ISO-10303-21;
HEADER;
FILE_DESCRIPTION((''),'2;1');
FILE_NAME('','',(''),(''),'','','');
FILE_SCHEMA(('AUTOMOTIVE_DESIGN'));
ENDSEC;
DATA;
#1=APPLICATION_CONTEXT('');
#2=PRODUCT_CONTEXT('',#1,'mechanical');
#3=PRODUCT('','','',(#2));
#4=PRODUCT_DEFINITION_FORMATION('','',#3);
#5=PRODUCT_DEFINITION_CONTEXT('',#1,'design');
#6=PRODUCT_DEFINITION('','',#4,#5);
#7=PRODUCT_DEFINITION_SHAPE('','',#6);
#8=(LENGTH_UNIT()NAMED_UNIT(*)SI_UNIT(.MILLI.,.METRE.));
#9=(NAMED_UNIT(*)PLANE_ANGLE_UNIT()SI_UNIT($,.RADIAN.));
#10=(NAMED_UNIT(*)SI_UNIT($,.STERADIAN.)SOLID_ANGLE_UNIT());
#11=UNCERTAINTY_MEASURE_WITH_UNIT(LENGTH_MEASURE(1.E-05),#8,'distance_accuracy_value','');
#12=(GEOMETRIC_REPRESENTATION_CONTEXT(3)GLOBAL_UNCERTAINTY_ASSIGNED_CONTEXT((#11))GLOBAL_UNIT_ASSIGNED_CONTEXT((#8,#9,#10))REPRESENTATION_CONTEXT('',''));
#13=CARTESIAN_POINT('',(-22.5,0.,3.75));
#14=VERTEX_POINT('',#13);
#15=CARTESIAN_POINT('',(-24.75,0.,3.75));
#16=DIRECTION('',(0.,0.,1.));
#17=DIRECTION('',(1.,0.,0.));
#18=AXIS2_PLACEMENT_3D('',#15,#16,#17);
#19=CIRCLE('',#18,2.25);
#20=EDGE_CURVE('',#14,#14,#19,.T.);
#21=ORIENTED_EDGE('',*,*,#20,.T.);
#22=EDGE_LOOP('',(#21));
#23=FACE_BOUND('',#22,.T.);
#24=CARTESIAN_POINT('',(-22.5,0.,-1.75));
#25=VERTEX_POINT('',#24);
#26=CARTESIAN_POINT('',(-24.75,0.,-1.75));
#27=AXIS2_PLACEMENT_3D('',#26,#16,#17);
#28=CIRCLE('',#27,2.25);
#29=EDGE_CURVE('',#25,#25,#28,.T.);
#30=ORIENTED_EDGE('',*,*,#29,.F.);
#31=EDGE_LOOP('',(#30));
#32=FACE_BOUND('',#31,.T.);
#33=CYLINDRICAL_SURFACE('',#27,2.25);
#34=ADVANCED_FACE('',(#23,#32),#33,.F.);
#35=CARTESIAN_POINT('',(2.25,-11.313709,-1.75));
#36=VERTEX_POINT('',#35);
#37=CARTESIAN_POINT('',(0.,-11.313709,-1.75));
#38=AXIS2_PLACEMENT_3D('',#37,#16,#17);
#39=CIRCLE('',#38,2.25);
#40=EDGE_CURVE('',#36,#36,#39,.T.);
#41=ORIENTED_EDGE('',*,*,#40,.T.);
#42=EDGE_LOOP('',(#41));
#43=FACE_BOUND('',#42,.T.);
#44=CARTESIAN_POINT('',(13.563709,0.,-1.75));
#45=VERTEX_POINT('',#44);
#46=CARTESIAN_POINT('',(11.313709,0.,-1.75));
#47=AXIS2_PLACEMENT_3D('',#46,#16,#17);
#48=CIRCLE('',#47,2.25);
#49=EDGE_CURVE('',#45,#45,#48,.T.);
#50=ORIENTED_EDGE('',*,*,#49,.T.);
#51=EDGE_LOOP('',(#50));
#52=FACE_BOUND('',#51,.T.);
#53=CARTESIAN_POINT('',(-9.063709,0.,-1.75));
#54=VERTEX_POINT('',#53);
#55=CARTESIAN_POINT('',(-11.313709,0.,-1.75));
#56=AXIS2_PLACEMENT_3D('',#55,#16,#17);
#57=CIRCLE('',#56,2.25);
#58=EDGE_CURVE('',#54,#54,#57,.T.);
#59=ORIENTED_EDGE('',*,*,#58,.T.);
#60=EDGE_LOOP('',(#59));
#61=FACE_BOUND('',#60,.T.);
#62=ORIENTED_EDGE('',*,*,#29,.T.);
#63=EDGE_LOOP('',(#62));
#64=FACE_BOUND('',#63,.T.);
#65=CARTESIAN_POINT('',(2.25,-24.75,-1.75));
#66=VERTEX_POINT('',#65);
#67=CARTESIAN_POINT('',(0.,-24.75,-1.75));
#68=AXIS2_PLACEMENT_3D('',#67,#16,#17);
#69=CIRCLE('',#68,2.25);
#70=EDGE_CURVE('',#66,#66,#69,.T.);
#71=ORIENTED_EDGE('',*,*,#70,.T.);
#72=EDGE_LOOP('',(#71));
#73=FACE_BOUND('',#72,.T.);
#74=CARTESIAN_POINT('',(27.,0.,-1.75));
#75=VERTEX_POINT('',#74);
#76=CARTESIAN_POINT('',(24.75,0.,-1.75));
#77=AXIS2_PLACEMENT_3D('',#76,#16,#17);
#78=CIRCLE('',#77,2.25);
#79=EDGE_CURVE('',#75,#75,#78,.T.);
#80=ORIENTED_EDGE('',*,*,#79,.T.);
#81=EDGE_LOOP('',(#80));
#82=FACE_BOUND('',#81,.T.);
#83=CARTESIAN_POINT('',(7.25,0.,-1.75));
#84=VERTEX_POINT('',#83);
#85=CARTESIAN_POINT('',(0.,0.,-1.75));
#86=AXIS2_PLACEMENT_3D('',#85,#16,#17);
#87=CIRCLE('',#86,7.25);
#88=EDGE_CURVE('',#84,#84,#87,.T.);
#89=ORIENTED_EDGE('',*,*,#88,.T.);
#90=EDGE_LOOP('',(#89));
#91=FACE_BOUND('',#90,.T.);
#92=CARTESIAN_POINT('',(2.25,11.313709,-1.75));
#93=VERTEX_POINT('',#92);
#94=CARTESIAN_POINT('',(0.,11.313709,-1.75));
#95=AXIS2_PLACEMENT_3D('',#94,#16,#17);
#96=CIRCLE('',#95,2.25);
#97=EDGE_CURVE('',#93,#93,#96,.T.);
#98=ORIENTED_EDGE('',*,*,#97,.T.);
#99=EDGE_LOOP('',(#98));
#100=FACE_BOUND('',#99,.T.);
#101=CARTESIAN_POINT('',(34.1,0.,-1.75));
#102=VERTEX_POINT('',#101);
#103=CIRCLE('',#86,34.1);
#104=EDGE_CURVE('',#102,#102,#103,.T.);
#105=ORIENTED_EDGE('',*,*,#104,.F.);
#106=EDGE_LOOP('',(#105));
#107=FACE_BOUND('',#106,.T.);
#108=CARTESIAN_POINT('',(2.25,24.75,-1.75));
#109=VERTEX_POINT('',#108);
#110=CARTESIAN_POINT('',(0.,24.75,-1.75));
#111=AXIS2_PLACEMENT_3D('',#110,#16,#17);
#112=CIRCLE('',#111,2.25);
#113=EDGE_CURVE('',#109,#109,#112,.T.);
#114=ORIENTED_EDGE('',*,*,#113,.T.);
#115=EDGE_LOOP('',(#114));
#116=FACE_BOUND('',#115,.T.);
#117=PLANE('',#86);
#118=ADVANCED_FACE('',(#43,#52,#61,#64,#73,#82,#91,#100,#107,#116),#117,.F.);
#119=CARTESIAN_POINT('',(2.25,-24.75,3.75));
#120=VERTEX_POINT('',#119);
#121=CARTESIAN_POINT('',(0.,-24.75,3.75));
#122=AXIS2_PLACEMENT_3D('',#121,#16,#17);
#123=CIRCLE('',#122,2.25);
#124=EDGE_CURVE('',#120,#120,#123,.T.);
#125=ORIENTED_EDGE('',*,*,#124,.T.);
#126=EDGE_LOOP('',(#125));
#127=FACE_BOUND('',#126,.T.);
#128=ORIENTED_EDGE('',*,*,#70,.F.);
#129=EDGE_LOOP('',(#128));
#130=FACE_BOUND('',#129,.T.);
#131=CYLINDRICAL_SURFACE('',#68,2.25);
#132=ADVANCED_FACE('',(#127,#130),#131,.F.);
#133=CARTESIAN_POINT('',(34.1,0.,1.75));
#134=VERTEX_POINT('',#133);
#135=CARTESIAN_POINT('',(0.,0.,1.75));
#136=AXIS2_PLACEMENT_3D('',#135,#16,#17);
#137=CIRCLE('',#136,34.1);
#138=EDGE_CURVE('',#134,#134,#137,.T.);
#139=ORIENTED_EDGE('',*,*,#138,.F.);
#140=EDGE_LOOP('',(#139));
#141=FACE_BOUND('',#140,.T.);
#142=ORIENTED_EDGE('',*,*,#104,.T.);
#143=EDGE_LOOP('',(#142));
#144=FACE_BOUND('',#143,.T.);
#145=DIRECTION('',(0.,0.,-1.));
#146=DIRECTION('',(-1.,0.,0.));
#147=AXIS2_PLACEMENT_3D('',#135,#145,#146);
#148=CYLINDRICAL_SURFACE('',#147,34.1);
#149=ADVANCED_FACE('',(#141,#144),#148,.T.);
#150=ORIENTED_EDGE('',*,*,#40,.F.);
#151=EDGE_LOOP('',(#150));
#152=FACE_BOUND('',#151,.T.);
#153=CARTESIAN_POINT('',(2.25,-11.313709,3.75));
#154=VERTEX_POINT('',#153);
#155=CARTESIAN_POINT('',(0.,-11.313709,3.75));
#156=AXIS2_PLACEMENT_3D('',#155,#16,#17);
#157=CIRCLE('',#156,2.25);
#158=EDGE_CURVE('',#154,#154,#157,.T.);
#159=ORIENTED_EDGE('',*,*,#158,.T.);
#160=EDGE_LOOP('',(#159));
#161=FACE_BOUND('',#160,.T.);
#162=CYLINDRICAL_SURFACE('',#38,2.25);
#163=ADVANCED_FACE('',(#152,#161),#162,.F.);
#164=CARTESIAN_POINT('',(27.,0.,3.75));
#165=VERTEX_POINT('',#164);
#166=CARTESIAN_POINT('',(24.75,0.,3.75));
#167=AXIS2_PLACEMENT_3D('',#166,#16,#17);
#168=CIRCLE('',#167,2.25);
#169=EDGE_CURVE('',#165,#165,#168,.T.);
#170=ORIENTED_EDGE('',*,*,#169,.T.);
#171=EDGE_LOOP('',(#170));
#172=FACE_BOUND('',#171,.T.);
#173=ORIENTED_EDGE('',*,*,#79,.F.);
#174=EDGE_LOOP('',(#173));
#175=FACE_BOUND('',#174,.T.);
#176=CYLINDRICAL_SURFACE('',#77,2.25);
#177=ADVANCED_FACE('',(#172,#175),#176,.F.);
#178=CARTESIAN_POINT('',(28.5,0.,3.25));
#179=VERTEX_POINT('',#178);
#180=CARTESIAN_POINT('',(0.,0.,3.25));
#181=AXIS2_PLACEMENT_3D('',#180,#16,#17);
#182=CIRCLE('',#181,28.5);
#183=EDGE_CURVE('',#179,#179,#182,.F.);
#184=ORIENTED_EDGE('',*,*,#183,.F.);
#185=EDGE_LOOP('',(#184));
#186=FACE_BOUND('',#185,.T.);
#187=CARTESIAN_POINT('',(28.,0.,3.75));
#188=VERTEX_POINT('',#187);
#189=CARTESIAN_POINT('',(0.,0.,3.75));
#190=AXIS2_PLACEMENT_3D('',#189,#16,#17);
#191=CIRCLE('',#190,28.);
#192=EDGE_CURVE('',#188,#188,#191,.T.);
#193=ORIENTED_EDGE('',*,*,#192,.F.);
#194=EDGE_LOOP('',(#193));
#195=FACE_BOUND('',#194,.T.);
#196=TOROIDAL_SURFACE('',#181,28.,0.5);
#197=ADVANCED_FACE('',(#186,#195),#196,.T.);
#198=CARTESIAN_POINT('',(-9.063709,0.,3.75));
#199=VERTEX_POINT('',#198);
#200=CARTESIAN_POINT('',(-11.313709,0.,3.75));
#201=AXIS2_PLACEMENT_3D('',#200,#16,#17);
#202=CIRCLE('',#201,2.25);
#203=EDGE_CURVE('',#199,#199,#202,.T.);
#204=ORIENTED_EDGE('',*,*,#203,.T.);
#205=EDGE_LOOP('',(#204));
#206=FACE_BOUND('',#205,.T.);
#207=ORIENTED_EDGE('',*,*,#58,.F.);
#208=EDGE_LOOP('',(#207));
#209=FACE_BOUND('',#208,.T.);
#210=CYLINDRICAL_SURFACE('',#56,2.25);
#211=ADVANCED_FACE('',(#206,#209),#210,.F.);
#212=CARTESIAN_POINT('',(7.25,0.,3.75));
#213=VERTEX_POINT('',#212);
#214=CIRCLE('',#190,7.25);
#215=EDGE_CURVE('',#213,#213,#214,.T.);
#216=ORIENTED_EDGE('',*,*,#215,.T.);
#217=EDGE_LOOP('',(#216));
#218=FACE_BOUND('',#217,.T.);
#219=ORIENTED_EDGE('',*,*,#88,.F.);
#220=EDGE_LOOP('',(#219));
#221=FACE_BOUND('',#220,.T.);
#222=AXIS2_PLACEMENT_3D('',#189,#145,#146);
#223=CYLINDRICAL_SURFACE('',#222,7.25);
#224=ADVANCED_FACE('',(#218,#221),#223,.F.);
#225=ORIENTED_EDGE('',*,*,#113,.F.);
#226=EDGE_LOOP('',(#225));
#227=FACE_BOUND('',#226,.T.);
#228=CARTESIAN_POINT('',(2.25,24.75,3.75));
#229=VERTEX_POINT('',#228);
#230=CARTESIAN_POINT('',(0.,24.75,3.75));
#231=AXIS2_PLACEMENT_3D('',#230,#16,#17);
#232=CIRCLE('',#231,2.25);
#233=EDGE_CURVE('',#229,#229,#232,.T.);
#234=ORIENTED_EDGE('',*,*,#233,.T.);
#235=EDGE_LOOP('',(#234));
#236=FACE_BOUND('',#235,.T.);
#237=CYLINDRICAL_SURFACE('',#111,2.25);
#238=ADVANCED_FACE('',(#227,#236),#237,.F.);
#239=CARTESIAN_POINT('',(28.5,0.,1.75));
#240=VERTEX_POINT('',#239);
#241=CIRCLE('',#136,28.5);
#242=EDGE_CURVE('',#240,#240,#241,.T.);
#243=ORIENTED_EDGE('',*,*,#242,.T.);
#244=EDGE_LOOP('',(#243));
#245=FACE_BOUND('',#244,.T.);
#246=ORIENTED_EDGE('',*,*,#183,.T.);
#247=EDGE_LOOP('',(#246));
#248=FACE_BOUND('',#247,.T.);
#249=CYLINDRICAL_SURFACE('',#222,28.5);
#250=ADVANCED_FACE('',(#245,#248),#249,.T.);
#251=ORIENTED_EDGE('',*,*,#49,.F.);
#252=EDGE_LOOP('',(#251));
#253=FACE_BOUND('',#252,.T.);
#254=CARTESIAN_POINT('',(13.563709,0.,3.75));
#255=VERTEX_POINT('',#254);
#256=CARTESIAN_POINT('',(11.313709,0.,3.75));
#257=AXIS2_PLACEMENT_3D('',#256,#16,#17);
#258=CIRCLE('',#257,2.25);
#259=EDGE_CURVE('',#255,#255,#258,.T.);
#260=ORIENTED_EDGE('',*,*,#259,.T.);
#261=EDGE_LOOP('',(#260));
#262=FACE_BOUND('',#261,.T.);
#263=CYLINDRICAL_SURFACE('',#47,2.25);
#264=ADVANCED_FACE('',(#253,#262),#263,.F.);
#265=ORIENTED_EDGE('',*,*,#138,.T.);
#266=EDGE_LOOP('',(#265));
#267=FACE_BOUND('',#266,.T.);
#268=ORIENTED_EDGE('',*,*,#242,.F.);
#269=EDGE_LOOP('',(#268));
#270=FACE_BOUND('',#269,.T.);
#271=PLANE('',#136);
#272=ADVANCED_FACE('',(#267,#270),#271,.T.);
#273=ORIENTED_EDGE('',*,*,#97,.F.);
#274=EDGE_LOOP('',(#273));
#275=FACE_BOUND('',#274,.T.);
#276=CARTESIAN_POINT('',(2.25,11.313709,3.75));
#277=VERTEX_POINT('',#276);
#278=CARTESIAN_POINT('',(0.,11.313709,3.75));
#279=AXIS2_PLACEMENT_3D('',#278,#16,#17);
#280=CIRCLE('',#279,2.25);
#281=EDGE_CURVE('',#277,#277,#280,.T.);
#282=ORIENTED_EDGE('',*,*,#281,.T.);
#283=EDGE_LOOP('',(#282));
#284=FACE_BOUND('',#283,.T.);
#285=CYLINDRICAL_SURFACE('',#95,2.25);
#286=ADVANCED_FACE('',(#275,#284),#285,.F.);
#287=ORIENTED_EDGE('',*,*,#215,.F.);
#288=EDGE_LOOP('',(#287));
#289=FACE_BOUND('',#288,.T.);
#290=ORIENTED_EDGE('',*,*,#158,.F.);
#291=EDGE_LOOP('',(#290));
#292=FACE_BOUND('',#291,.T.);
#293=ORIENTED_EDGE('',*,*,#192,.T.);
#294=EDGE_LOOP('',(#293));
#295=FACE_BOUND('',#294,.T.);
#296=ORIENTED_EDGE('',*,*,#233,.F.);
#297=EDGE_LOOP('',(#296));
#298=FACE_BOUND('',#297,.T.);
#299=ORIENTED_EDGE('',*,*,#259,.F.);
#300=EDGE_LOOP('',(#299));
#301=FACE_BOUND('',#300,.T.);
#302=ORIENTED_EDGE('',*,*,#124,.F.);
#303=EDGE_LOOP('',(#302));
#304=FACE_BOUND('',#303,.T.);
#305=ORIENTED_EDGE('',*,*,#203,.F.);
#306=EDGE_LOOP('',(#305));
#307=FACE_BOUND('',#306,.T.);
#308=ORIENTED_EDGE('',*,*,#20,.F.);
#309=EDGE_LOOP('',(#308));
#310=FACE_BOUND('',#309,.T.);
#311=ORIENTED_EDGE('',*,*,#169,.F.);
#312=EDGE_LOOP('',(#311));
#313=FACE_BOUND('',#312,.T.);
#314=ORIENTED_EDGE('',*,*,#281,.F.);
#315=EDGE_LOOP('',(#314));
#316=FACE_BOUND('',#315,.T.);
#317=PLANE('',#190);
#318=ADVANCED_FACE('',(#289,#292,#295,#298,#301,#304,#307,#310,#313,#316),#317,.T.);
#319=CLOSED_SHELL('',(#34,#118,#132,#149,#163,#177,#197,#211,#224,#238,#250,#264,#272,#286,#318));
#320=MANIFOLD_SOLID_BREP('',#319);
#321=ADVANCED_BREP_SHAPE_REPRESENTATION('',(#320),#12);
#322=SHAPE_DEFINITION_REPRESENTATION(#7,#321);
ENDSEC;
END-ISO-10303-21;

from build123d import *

# Parameters (mm, degrees)
SKETCH1_R               = 34.1
BOSS_EXTRUDE1_DEPTH     = 1.75
SKETCH4_R               = 28.5
BOSS_EXTRUDE2_DEPTH     = 2
CUT_EXTRUDE2_DEPTH      = 49.351525312
CUT_EXTRUDE2_DEPTH_BACK = 49.351525312
SKETCH3_R               = 2.25
CUT_EXTRUDE1_DEPTH      = 49.351525312
CUT_EXTRUDE1_DEPTH_BACK = 49.351525312
SKETCH2_R               = 7.25
FILLET1_R               = 0.5


with BuildPart() as part:
    # Sketch1 → Boss-Extrude1 (new, symmetric)
    with BuildSketch(Plane.XY):
        Circle(SKETCH1_R)
    extrude(amount=BOSS_EXTRUDE1_DEPTH, both=True)

    # Sketch4 → Boss-Extrude2 (add)
    with BuildSketch(Plane.XY.offset(1.75)):
        Circle(SKETCH4_R)
    extrude(amount=BOSS_EXTRUDE2_DEPTH)

    # Sketch3 → Cut-Extrude2 (cut, two sides: drawn at the far end of the back side and taken through both)
    with BuildSketch(Plane.XY.offset(1.75).offset(-CUT_EXTRUDE2_DEPTH_BACK)):
        with Locations((0, 24.75)):
            Circle(SKETCH3_R)
        with Locations((0, 11.3137085)):
            Circle(SKETCH3_R)
        with Locations((24.75, 0)):
            Circle(SKETCH3_R)
        with Locations((11.3137085, 0)):
            Circle(SKETCH3_R)
        with Locations((0, -24.75)):
            Circle(SKETCH3_R)
        with Locations((0, -11.3137085)):
            Circle(SKETCH3_R)
        with Locations((-24.75, 0)):
            Circle(SKETCH3_R)
        with Locations((-11.3137085, 0)):
            Circle(SKETCH3_R)
    extrude(amount=CUT_EXTRUDE2_DEPTH + CUT_EXTRUDE2_DEPTH_BACK, mode=Mode.SUBTRACT)

    # Sketch2 → Cut-Extrude1 (cut, two sides: drawn at the far end of the back side and taken through both)
    with BuildSketch(Plane.XY.offset(1.75).offset(-CUT_EXTRUDE1_DEPTH_BACK)):
        Circle(SKETCH2_R)
    extrude(amount=CUT_EXTRUDE1_DEPTH + CUT_EXTRUDE1_DEPTH_BACK, mode=Mode.SUBTRACT)

    # Fillet1
    fillet1_edges = [part.edges().sort_by_distance(p)[0] for p in [
        (-28.5, 0, 3.75),
    ]]
    fillet(fillet1_edges, radius=FILLET1_R)


solid = part.part
